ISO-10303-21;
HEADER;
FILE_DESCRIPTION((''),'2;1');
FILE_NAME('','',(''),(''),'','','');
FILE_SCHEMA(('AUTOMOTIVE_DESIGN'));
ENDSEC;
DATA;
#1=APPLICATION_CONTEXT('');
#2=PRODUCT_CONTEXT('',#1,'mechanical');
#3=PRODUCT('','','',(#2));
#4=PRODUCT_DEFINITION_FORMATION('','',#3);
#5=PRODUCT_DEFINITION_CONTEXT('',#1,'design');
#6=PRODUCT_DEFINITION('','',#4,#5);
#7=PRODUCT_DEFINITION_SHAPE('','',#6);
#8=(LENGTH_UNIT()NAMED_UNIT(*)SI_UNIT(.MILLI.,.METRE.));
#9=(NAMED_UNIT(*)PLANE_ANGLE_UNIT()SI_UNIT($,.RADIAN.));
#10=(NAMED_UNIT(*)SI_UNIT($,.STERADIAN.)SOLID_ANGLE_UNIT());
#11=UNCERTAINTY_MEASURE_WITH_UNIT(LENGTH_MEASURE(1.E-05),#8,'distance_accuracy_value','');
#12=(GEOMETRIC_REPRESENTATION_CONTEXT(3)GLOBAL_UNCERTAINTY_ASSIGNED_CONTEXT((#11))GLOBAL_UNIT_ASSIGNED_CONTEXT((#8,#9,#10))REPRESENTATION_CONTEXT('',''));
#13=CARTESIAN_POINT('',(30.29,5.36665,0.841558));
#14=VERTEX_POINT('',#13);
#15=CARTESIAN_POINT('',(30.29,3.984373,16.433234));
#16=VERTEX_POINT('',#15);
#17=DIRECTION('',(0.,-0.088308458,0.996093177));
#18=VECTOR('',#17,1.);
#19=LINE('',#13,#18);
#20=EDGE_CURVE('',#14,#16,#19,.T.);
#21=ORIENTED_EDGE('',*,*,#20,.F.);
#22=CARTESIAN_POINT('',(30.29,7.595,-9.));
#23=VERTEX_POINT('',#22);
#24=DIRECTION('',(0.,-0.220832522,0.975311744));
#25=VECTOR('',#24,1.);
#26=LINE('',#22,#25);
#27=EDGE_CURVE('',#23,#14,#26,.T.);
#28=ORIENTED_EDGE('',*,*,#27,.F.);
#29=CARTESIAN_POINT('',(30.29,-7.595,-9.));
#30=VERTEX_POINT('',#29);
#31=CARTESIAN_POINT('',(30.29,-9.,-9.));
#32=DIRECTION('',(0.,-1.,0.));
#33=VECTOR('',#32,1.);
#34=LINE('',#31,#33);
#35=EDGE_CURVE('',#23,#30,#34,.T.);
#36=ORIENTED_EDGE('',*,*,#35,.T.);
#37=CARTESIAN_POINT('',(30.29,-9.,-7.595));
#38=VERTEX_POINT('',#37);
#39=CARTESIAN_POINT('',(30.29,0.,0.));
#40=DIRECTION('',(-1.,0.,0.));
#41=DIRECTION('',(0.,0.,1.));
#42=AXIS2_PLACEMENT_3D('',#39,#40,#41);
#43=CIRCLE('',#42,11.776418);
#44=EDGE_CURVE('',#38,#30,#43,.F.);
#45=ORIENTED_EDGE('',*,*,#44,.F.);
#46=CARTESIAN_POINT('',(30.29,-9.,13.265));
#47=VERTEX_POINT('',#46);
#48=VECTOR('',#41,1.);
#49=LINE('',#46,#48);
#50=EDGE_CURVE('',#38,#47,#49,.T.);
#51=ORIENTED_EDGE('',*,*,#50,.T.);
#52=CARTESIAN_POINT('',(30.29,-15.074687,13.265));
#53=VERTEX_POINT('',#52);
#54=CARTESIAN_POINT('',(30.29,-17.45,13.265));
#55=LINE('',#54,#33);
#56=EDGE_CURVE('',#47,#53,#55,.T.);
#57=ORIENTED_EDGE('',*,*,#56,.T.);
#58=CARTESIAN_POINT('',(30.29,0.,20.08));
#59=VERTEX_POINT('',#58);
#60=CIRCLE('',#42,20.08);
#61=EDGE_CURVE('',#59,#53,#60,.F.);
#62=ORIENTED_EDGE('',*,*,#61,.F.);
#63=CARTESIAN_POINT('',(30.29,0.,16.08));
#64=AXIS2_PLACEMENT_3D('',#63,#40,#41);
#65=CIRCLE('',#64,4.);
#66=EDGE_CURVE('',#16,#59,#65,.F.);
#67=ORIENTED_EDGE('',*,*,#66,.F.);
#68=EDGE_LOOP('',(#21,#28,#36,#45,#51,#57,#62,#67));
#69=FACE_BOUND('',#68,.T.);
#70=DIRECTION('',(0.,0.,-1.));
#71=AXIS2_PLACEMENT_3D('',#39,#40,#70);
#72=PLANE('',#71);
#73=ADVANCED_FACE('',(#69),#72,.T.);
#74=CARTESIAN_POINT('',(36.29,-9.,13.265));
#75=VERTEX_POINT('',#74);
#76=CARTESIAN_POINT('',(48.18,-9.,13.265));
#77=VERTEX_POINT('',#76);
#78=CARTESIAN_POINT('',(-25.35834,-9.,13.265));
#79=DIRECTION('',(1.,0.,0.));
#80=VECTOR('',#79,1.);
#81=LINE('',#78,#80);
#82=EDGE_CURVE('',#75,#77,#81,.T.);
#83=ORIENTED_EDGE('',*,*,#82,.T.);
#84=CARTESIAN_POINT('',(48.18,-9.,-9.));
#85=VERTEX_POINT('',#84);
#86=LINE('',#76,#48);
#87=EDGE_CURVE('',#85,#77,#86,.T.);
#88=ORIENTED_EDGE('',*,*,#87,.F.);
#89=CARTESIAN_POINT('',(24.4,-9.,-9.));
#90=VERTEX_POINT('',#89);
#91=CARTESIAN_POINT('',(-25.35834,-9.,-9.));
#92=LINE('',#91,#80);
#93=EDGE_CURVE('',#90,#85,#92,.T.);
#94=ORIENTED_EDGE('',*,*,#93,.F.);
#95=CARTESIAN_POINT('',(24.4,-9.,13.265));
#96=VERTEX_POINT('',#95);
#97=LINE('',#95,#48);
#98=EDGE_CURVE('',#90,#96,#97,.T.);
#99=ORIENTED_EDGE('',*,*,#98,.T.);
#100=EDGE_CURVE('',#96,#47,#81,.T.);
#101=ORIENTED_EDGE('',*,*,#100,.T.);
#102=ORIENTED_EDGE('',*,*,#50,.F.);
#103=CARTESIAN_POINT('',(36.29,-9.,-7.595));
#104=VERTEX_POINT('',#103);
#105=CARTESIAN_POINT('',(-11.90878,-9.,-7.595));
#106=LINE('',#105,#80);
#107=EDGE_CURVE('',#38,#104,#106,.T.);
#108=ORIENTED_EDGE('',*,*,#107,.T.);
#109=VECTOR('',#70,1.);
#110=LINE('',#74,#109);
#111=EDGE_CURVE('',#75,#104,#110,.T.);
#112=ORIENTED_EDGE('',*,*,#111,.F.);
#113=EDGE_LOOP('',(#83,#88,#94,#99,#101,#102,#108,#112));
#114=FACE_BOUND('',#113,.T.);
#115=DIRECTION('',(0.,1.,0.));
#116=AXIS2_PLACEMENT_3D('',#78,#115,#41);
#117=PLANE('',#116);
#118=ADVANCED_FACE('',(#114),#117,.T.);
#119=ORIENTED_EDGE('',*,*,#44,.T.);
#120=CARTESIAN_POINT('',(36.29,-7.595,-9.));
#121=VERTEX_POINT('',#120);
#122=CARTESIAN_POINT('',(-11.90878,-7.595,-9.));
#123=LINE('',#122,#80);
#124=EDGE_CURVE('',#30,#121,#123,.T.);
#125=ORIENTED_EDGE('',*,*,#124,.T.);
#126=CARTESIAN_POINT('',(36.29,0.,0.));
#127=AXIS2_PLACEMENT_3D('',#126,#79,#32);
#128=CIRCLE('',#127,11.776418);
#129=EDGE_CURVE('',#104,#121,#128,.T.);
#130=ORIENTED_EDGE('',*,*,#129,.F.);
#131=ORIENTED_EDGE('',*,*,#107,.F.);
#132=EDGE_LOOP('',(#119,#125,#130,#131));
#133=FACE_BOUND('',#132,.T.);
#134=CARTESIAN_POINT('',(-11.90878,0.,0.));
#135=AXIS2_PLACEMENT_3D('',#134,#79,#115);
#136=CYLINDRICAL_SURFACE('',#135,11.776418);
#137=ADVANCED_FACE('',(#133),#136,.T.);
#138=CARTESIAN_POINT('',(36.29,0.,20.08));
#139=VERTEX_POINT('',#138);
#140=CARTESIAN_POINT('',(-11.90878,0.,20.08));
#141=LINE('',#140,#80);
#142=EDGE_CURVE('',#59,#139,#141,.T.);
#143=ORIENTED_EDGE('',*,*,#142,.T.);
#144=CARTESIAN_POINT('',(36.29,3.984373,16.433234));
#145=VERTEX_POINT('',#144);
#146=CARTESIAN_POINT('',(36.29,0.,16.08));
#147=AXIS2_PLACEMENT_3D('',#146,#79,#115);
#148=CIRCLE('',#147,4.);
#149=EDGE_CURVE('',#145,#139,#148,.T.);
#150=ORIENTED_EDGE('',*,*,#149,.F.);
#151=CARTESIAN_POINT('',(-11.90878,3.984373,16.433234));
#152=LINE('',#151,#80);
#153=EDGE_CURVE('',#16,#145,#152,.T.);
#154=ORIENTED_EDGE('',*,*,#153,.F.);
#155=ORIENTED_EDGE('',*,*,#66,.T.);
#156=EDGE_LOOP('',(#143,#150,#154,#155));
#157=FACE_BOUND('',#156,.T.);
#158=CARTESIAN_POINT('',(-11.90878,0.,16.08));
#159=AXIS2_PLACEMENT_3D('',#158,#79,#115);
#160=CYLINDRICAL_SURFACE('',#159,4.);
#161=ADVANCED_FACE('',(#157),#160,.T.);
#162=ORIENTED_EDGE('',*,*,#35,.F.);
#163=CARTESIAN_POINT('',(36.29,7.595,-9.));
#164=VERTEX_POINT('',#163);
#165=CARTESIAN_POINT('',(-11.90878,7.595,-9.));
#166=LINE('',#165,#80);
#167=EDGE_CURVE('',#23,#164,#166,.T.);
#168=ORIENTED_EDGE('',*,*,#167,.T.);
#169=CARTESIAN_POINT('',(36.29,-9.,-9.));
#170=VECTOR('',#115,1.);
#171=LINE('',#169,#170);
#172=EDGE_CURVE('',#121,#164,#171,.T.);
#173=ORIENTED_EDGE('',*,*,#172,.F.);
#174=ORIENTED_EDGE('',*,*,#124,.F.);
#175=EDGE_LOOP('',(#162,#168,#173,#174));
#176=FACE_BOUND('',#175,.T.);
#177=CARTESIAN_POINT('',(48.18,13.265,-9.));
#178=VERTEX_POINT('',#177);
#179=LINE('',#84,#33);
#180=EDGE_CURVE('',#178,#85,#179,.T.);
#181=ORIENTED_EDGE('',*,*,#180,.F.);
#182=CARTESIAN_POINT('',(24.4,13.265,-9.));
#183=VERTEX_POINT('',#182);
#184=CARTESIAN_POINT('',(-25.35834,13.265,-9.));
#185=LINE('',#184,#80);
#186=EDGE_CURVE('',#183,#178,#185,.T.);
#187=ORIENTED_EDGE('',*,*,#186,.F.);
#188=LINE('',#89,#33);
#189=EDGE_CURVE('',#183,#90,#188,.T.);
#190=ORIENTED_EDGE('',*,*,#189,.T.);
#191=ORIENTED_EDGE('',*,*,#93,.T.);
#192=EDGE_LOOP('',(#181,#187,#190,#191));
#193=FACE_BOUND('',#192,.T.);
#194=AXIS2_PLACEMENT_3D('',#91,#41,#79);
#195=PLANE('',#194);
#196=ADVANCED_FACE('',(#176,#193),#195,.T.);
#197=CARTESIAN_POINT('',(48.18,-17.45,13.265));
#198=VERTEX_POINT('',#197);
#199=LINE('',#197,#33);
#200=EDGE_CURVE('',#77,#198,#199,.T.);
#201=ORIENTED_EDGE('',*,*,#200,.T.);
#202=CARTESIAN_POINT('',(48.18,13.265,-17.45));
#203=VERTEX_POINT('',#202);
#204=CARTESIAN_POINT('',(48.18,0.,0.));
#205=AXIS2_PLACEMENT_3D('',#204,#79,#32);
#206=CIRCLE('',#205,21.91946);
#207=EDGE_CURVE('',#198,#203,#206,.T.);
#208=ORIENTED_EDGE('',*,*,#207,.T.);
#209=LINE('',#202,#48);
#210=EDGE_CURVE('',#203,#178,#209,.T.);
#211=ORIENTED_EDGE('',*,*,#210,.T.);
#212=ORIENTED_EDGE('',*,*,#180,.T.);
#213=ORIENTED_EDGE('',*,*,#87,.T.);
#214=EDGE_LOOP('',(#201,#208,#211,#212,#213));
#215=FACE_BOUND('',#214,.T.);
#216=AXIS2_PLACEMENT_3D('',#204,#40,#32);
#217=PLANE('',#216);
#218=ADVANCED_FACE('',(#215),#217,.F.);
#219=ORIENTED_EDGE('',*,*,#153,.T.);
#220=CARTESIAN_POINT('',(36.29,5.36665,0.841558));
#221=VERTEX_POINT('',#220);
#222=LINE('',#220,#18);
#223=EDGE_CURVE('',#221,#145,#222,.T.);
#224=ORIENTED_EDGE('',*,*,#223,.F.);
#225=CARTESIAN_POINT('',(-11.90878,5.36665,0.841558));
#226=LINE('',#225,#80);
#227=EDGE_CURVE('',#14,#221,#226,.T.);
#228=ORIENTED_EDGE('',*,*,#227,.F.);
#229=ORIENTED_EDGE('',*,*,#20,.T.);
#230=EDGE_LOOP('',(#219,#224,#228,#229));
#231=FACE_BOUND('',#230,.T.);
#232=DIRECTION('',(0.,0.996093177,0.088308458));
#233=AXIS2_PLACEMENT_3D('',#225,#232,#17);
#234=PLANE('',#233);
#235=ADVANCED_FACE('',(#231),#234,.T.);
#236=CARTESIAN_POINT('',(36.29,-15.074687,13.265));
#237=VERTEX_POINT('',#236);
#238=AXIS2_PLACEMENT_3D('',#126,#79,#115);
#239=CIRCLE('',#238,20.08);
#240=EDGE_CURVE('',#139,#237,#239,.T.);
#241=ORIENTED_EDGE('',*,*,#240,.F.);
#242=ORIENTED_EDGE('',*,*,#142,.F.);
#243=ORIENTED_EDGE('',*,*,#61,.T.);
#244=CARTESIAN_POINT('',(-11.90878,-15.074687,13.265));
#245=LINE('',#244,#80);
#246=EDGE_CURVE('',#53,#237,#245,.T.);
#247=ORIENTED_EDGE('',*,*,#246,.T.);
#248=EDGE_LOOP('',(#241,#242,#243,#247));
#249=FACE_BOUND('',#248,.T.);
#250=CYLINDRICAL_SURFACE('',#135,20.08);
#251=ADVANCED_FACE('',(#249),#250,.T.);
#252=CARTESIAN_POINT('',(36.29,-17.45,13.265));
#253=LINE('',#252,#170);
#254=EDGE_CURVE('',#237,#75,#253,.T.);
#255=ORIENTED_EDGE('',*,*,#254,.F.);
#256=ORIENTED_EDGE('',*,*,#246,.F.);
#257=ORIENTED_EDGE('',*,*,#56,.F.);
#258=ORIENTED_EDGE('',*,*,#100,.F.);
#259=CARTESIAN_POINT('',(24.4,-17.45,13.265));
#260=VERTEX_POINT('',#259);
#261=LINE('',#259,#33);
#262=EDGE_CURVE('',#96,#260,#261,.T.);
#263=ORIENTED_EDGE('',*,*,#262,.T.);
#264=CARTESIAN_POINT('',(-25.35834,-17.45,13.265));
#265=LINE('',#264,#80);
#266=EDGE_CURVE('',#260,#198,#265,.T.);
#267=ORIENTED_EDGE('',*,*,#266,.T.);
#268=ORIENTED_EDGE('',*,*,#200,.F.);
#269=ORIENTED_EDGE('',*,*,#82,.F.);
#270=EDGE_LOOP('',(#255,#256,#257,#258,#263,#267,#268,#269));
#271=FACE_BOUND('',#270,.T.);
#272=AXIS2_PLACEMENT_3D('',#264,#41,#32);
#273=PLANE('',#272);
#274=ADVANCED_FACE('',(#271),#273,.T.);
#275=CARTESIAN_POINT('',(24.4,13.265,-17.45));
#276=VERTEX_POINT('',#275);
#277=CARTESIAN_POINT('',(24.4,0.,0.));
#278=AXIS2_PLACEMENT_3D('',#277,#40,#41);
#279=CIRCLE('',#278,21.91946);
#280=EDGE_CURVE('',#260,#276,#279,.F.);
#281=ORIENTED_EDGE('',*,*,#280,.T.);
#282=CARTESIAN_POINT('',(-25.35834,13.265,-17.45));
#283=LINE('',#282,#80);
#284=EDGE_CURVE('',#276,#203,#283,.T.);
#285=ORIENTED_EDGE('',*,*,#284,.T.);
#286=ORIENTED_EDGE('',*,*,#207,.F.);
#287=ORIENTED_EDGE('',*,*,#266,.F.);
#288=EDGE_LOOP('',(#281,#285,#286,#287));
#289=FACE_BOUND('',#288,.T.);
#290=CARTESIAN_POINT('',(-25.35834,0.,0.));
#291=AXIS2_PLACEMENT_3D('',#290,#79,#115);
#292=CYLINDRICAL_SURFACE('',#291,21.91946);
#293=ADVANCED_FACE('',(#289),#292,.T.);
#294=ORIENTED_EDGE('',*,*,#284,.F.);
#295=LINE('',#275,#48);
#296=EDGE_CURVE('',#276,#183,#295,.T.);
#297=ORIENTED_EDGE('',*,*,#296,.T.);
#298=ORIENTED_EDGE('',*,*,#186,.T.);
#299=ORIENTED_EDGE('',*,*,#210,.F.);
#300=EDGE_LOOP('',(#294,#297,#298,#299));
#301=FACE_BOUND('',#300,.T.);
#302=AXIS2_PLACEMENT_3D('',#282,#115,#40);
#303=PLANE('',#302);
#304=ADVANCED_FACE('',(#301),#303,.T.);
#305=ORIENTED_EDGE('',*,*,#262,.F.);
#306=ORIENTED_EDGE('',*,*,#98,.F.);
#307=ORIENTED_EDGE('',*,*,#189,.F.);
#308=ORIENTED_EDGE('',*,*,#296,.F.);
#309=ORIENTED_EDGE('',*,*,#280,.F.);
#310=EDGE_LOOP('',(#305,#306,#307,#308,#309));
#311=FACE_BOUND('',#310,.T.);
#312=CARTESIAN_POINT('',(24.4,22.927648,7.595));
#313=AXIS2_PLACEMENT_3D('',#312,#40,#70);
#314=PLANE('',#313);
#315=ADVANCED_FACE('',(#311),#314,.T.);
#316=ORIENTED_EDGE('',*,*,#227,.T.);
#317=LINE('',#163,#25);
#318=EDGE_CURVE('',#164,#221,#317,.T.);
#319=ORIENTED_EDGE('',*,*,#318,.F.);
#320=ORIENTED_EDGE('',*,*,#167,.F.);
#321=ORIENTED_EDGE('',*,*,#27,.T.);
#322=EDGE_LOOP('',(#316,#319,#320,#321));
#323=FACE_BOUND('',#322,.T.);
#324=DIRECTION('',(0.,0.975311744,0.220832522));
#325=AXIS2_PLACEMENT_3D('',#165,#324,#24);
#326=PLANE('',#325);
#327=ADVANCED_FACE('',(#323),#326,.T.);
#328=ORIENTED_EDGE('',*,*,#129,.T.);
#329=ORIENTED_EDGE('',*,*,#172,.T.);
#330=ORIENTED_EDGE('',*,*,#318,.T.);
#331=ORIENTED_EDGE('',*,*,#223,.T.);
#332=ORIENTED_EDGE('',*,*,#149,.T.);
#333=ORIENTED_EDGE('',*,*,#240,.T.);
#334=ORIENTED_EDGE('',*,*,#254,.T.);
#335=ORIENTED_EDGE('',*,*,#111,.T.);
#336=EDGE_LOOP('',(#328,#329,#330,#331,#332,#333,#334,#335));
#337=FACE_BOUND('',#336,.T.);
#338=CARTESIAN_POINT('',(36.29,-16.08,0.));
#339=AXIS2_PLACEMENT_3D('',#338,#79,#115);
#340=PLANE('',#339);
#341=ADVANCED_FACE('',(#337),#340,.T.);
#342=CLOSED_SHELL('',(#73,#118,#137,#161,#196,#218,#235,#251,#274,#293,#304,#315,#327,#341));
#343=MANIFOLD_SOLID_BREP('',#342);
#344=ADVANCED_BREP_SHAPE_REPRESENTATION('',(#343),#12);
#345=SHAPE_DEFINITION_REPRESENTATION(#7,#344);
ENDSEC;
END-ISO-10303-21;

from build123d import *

# Parameters (mm, degrees)
BOSS_EXTRUDE1_DEPTH = 23.78
BOSS_EXTRUDE2_DEPTH = 6


with BuildPart() as part:
    # Sketch3 → Boss-Extrude1 (new body)
    with BuildSketch(Plane(origin=(48.18, 0, 0), x_dir=(0, 0, -1), z_dir=(1, 0, 0))):
        with BuildLine():
            Line((17.45, 13.265), (9, 13.265))
            Line((9, 13.265), (9, -9))
            Line((9, -9), (-13.265, -9))
            Line((-13.265, -9), (-13.265, -17.45))
            ThreePointArc((-13.265, -17.45), (15.499398779, -15.499398779), (17.45, 13.265))
        make_face()
    extrude(amount=-BOSS_EXTRUDE1_DEPTH)

    # Sketch4 → Boss-Extrude2 (add)
    with BuildSketch(Plane(origin=(36.29, 0, 0), x_dir=(0, 0, -1), z_dir=(1, 0, 0))):
        with BuildLine():
            Line((3.984372706, -16.433233831), (4.643364687, -9))
            Line((4.643364687, -9), (7.595, -9))
            ThreePointArc((7.595, -9), (11.734437034, -0.993485028), (9, 7.595))
            Line((9, 7.595), (-0.841557906, 5.366649873))
            Line((-0.841557906, 5.366649873), (-16.433233831, 3.984372706))
            ThreePointArc((-16.433233831, 3.984372706), (-19.030672408, 2.700654058), (-20.08, 0))
            ThreePointArc((-20.08, 0), (-14.198704166, -14.198704166), (0, -20.08))
            ThreePointArc((0, -20.08), (2.700654058, -19.030672408), (3.984372706, -16.433233831))
        make_face()
    extrude(amount=-BOSS_EXTRUDE2_DEPTH)


solid = part.part
